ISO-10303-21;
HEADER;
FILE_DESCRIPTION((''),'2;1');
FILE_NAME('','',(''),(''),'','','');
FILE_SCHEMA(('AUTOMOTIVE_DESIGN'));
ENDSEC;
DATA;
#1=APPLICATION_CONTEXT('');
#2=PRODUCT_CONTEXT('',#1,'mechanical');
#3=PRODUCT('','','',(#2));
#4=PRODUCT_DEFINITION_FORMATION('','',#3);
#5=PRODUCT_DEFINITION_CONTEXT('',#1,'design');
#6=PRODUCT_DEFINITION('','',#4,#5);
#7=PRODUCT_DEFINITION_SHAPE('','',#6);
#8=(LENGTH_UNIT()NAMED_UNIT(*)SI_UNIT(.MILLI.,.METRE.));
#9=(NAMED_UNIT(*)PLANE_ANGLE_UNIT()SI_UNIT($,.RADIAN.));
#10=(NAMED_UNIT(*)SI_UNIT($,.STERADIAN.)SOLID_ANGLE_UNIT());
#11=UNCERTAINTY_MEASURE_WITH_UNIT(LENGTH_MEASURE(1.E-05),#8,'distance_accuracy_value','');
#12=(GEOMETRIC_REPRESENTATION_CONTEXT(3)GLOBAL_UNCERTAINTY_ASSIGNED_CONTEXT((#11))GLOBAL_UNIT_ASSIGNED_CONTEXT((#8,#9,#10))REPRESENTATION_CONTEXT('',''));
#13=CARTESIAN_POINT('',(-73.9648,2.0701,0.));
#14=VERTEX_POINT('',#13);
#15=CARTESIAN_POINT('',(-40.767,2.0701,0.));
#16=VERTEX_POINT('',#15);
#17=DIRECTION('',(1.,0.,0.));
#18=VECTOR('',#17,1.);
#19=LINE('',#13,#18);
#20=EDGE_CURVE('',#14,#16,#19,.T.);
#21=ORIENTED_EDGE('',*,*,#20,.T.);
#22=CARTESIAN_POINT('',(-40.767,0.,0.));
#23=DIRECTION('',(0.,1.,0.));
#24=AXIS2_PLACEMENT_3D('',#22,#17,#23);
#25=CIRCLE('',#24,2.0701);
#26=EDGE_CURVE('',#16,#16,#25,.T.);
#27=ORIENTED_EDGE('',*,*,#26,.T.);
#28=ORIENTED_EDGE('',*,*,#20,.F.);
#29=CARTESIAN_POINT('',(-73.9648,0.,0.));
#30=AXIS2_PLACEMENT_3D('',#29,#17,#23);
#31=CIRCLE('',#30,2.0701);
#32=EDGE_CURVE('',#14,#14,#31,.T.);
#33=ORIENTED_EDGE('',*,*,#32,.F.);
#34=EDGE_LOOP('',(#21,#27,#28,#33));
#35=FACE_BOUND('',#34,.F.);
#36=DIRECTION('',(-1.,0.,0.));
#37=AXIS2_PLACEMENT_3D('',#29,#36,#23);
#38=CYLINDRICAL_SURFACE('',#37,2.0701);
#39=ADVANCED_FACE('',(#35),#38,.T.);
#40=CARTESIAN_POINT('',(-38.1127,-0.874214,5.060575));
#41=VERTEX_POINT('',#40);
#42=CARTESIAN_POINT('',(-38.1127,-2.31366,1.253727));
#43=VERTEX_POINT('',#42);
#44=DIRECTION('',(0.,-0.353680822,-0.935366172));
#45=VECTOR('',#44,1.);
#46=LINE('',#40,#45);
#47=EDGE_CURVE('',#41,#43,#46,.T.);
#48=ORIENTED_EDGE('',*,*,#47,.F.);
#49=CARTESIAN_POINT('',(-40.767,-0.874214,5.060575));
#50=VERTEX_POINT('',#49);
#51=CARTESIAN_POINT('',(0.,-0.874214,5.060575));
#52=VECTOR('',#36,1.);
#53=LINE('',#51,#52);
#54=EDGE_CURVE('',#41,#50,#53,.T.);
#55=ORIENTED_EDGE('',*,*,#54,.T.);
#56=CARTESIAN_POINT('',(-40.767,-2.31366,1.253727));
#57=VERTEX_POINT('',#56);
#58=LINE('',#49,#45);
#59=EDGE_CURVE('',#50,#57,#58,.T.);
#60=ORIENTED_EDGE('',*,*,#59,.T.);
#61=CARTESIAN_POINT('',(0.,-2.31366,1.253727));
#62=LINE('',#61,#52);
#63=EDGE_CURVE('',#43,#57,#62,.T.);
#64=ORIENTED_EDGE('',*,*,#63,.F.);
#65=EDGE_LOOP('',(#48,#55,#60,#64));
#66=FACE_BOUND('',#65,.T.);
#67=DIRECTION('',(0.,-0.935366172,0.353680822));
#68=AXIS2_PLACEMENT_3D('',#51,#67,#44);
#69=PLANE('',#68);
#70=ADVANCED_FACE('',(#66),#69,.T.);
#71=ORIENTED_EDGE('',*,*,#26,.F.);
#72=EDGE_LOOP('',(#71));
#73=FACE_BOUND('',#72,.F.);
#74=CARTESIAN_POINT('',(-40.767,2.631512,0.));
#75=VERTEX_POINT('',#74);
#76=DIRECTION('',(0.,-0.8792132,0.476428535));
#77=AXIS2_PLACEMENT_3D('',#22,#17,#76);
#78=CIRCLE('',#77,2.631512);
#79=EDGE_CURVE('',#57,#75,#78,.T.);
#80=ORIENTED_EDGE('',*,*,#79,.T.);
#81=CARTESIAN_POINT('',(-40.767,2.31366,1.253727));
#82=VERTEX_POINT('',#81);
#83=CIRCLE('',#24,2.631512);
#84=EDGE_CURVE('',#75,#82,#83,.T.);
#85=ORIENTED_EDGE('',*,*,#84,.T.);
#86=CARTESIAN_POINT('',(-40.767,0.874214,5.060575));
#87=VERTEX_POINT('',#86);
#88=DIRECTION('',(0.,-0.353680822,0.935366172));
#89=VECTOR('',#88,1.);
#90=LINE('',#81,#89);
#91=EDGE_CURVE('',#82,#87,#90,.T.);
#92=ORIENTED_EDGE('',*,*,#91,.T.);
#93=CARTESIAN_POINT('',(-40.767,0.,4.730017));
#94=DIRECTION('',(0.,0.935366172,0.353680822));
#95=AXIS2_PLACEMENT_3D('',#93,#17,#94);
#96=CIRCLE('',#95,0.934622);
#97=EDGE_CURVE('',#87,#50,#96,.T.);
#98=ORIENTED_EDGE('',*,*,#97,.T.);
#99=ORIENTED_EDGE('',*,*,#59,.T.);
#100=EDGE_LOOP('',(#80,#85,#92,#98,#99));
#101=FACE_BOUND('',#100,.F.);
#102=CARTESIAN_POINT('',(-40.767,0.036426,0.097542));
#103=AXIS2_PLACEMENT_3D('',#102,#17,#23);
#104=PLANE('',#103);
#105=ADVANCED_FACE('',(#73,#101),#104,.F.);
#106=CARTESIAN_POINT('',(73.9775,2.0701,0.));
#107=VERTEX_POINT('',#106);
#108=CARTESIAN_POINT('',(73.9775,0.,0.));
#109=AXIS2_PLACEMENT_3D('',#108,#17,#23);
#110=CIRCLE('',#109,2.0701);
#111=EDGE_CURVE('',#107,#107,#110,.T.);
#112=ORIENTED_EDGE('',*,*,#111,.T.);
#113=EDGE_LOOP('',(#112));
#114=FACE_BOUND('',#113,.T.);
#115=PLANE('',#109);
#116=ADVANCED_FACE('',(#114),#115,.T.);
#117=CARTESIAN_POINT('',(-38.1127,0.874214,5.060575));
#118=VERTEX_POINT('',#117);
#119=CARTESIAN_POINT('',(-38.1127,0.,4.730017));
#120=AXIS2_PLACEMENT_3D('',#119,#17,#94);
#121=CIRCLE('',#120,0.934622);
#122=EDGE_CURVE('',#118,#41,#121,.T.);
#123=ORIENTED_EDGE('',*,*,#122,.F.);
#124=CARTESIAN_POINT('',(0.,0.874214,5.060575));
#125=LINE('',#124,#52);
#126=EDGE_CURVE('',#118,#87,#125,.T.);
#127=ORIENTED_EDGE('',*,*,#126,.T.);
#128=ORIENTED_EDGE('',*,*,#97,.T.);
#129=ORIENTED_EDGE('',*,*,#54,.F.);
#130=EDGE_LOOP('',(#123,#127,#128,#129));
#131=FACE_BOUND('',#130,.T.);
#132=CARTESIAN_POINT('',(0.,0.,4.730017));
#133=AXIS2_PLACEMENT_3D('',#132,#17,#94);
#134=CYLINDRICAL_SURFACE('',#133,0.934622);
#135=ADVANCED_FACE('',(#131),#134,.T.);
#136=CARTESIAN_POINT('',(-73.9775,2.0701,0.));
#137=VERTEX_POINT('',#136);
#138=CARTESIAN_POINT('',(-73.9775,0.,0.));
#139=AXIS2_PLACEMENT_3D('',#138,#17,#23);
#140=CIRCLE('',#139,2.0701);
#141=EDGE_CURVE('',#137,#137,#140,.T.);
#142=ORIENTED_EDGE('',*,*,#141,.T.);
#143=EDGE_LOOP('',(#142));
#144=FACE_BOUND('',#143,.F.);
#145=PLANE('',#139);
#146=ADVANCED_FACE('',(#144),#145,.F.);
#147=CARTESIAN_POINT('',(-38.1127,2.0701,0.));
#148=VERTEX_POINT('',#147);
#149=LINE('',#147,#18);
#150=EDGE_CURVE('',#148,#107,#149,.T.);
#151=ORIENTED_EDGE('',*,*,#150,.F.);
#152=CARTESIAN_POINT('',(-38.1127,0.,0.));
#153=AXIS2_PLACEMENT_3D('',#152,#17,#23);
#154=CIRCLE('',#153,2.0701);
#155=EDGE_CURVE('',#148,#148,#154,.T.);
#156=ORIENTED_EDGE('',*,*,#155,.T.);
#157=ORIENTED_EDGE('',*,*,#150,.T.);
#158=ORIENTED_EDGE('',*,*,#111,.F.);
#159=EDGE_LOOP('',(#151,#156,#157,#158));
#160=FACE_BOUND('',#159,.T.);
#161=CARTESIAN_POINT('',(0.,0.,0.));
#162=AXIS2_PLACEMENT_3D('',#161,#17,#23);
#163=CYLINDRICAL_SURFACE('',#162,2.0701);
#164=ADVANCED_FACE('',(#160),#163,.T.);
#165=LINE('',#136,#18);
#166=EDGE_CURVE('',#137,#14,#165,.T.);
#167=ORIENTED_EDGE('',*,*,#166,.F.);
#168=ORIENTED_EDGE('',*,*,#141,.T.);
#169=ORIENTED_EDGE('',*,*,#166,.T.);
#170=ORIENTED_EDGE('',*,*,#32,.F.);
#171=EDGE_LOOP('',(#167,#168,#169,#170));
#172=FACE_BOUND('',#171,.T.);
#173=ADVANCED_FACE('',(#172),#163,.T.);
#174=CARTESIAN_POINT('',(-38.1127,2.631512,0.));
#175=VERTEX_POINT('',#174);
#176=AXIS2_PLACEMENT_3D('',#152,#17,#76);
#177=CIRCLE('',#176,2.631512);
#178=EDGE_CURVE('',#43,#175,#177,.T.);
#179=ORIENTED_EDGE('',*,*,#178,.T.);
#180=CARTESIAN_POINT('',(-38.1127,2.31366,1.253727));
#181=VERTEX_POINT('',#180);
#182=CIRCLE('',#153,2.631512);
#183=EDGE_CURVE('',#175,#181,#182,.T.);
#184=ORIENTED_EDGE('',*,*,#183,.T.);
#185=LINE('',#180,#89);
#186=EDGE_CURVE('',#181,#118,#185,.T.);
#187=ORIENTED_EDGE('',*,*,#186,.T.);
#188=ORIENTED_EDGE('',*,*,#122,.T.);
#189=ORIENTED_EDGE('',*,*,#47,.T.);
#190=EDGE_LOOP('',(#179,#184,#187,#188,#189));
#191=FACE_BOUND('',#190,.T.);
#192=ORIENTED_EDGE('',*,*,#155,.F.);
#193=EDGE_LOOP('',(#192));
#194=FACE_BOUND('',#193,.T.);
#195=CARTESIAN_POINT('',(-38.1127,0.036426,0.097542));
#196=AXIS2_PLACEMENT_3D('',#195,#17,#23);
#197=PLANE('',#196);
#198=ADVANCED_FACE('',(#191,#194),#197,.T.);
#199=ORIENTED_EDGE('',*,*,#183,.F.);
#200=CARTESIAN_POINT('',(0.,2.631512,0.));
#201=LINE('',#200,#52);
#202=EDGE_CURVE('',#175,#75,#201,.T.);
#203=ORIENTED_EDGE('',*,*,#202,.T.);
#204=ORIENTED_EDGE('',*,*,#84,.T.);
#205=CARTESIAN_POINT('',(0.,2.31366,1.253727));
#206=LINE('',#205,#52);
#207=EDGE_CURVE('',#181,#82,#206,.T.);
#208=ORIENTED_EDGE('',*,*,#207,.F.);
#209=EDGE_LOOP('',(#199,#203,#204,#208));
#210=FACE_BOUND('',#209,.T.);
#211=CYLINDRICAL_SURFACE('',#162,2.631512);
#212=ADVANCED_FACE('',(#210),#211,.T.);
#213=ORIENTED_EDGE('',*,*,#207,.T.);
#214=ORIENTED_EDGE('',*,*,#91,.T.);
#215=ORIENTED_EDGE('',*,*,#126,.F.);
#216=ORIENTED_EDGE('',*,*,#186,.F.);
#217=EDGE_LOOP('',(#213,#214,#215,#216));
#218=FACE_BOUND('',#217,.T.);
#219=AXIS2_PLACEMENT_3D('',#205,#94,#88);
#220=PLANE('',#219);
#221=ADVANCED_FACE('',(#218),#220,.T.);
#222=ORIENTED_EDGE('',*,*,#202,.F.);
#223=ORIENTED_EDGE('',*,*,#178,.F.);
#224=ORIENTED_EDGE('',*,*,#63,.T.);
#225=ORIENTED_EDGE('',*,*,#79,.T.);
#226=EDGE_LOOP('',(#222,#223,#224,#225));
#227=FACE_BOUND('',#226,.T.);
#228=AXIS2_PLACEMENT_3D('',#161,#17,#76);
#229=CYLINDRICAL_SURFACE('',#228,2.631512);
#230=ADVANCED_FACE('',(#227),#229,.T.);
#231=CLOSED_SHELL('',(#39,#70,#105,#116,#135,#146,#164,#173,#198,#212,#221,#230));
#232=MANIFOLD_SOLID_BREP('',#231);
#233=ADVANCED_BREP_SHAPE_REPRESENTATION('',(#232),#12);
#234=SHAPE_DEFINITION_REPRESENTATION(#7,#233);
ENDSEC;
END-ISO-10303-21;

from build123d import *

# Parameters (mm, degrees)
F0_R     = 2.0701
F1_DEPTH = 73.9775
F3_DEPTH = 73.9648
F5_DEPTH = 33.1978
F6_DEPTH = 38.1127


with BuildPart() as f1:
    # F0 (on Right) → F1 (new body, symmetric)
    with BuildSketch(Plane.YZ):
        Circle(F0_R)
    extrude(amount=F1_DEPTH, both=True)

    # F2 (on Right) → F3 (join)
    with BuildSketch(Plane.YZ):
        with BuildLine():
            ThreePointArc((-2.3136596952, 1.2537271952), (-0.6466957718, -2.5508111737), (2.6315115552, 0))
            ThreePointArc((2.6315115552, 0), (2.5508111737, 0.6466957718), (2.3136596952, 1.2537271952))
            ThreePointArc((2.3136596952, 1.2537271952), (0, 2.6315115552), (-2.3136596952, 1.2537271952))
        make_face()
        with BuildLine():
            ThreePointArc((-2.3136596952, 1.2537271952), (0, 2.6315115552), (2.3136596952, 1.2537271952))
            Line((2.3136596952, 1.2537271952), (0.8742138073, 5.0605748032))
            ThreePointArc((0.8742138073, 5.0605748032), (0.9193959303, 4.8980330409), (0.9346220049, 4.7300169244))
            ThreePointArc((0.9346220049, 4.7300169244), (-0.1680161165, 3.8106209941), (-0.8742138073, 5.0605748032))
            Line((-0.8742138073, 5.0605748032), (-2.3136596952, 1.2537271952))
        make_face()
        with BuildLine():
            ThreePointArc((0.9346220049, 4.7300169244), (0.9193959303, 4.8980330409), (0.8742138073, 5.0605748032))
            ThreePointArc((0.8742138073, 5.0605748032), (0, 5.6646389293), (-0.8742138073, 5.0605748032))
            ThreePointArc((-0.8742138073, 5.0605748032), (-0.1680161165, 3.8106209941), (0.9346220049, 4.7300169244))
        make_face()
    extrude(amount=-F3_DEPTH)

    # F5 (cut): a face of the model
    f5_faces = [f1.faces().sort_by_distance(p)[0] for p in [
        (-73.9648, 0, -2.5332641506),
    ]]
    extrude(f5_faces, amount=-F5_DEPTH, mode=Mode.SUBTRACT)

    # F6 (cut): a face of the model
    f6_faces = [f1.faces().sort_by_distance(p)[0] for p in [
        (0, 0, -2.5332641506),
    ]]
    extrude(f6_faces, amount=-F6_DEPTH, mode=Mode.SUBTRACT)


solid = f1.part
